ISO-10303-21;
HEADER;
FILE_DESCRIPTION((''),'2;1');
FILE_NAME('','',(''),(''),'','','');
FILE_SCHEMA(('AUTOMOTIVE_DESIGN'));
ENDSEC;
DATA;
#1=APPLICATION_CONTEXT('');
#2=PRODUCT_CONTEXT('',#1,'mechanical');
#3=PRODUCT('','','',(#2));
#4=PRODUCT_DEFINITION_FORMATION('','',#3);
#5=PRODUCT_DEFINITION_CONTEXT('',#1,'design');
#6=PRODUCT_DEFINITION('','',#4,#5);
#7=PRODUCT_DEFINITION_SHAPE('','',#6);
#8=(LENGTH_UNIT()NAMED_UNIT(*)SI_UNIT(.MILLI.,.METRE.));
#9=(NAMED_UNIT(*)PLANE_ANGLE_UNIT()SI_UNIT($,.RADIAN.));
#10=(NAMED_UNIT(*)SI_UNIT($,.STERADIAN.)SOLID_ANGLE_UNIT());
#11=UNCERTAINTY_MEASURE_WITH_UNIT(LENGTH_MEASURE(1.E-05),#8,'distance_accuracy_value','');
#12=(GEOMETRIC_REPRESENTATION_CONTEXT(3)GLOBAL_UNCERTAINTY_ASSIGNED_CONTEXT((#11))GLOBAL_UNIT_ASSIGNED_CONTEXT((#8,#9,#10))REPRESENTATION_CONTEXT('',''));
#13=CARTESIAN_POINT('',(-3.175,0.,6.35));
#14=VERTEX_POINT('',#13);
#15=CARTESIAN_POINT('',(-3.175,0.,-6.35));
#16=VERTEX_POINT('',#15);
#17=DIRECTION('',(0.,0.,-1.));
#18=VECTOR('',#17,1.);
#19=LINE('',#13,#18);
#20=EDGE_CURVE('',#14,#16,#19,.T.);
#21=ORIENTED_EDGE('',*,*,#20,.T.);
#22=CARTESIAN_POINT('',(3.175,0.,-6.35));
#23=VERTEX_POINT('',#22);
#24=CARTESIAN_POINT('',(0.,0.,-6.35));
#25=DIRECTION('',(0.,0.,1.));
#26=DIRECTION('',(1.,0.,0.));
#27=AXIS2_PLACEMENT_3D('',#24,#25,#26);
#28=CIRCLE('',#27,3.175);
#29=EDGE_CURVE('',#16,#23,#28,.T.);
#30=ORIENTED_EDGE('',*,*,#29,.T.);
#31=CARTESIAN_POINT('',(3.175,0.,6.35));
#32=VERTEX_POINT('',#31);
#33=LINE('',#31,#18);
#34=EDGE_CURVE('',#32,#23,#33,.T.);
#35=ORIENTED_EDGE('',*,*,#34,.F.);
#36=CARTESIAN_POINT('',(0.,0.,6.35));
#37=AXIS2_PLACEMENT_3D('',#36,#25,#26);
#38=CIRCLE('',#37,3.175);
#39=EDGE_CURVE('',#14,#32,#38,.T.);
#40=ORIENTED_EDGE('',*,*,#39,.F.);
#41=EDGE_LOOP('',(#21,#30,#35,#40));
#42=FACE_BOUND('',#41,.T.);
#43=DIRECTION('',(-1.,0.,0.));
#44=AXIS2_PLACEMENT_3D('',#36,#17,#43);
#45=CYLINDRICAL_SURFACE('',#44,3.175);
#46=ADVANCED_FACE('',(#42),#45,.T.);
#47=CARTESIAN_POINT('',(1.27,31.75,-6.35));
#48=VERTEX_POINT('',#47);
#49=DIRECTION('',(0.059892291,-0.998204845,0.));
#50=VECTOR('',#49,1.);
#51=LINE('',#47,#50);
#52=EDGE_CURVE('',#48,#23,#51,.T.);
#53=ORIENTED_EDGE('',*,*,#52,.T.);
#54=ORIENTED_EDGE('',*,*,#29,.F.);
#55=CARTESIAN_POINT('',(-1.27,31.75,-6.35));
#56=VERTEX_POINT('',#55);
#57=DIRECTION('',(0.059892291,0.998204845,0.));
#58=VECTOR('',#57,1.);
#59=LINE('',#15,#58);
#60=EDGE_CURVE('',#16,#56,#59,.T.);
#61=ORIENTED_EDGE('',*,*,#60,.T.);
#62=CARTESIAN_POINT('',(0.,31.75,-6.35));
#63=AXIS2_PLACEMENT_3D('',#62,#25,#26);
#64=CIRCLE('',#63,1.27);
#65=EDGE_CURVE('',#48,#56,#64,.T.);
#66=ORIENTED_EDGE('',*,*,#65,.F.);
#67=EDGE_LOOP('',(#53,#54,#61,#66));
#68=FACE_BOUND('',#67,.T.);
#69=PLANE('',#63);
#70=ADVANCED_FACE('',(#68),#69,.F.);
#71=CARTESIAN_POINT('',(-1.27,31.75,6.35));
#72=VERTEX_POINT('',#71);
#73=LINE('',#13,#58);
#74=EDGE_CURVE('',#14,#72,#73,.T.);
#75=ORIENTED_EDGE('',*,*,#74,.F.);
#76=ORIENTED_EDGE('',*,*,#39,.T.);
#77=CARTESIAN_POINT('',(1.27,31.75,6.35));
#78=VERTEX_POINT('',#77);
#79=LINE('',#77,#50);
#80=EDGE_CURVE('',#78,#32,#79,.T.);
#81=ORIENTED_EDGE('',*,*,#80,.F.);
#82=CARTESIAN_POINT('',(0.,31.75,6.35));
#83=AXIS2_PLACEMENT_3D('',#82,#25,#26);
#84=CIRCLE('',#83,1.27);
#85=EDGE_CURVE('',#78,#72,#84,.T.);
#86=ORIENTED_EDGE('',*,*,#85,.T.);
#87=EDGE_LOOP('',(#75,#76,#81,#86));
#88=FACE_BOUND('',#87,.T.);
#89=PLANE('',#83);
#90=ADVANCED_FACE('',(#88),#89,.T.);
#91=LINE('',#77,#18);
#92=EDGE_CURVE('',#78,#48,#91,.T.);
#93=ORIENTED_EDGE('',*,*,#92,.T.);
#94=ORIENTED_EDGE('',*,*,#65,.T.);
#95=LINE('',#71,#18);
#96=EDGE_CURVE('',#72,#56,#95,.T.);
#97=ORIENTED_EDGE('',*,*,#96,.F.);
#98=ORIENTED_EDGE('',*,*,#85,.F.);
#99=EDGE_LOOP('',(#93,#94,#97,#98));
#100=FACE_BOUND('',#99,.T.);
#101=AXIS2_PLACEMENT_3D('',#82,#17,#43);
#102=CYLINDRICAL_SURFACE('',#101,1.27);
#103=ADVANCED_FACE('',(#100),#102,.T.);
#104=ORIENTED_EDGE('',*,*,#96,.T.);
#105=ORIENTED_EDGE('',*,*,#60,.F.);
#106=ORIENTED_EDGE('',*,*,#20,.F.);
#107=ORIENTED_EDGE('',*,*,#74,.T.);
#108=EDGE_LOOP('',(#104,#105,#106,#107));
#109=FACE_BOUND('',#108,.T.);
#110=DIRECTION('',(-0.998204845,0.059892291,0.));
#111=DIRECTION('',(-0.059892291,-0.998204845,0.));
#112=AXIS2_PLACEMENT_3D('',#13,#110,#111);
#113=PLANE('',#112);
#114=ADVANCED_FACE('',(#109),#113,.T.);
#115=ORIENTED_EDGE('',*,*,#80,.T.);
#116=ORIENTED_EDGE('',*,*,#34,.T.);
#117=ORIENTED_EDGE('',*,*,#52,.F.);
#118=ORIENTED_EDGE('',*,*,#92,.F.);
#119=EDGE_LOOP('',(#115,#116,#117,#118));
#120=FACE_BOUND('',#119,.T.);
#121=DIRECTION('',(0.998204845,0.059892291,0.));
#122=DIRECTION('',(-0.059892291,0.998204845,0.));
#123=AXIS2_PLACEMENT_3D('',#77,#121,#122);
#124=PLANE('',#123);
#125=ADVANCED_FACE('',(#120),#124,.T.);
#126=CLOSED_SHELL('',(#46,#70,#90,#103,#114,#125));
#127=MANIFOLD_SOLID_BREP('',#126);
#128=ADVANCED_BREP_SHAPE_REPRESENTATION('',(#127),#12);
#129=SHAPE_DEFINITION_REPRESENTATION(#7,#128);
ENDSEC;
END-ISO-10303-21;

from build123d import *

# Parameters (mm, degrees)
BOSS_EXTRUDE1_DEPTH = 6.35


with BuildPart() as part:
    # Sketch1 → Boss-Extrude1 (new body, symmetric)
    with BuildSketch(Plane.XY):
        with BuildLine():
            Line((1.27, 31.75), (3.175, 0))
            ThreePointArc((3.175, 0), (0, -3.175), (-3.175, 0))
            Line((-3.175, 0), (-1.27, 31.75))
            ThreePointArc((-1.27, 31.75), (0, 33.02), (1.27, 31.75))
        make_face()
    extrude(amount=BOSS_EXTRUDE1_DEPTH, both=True)


solid = part.part
